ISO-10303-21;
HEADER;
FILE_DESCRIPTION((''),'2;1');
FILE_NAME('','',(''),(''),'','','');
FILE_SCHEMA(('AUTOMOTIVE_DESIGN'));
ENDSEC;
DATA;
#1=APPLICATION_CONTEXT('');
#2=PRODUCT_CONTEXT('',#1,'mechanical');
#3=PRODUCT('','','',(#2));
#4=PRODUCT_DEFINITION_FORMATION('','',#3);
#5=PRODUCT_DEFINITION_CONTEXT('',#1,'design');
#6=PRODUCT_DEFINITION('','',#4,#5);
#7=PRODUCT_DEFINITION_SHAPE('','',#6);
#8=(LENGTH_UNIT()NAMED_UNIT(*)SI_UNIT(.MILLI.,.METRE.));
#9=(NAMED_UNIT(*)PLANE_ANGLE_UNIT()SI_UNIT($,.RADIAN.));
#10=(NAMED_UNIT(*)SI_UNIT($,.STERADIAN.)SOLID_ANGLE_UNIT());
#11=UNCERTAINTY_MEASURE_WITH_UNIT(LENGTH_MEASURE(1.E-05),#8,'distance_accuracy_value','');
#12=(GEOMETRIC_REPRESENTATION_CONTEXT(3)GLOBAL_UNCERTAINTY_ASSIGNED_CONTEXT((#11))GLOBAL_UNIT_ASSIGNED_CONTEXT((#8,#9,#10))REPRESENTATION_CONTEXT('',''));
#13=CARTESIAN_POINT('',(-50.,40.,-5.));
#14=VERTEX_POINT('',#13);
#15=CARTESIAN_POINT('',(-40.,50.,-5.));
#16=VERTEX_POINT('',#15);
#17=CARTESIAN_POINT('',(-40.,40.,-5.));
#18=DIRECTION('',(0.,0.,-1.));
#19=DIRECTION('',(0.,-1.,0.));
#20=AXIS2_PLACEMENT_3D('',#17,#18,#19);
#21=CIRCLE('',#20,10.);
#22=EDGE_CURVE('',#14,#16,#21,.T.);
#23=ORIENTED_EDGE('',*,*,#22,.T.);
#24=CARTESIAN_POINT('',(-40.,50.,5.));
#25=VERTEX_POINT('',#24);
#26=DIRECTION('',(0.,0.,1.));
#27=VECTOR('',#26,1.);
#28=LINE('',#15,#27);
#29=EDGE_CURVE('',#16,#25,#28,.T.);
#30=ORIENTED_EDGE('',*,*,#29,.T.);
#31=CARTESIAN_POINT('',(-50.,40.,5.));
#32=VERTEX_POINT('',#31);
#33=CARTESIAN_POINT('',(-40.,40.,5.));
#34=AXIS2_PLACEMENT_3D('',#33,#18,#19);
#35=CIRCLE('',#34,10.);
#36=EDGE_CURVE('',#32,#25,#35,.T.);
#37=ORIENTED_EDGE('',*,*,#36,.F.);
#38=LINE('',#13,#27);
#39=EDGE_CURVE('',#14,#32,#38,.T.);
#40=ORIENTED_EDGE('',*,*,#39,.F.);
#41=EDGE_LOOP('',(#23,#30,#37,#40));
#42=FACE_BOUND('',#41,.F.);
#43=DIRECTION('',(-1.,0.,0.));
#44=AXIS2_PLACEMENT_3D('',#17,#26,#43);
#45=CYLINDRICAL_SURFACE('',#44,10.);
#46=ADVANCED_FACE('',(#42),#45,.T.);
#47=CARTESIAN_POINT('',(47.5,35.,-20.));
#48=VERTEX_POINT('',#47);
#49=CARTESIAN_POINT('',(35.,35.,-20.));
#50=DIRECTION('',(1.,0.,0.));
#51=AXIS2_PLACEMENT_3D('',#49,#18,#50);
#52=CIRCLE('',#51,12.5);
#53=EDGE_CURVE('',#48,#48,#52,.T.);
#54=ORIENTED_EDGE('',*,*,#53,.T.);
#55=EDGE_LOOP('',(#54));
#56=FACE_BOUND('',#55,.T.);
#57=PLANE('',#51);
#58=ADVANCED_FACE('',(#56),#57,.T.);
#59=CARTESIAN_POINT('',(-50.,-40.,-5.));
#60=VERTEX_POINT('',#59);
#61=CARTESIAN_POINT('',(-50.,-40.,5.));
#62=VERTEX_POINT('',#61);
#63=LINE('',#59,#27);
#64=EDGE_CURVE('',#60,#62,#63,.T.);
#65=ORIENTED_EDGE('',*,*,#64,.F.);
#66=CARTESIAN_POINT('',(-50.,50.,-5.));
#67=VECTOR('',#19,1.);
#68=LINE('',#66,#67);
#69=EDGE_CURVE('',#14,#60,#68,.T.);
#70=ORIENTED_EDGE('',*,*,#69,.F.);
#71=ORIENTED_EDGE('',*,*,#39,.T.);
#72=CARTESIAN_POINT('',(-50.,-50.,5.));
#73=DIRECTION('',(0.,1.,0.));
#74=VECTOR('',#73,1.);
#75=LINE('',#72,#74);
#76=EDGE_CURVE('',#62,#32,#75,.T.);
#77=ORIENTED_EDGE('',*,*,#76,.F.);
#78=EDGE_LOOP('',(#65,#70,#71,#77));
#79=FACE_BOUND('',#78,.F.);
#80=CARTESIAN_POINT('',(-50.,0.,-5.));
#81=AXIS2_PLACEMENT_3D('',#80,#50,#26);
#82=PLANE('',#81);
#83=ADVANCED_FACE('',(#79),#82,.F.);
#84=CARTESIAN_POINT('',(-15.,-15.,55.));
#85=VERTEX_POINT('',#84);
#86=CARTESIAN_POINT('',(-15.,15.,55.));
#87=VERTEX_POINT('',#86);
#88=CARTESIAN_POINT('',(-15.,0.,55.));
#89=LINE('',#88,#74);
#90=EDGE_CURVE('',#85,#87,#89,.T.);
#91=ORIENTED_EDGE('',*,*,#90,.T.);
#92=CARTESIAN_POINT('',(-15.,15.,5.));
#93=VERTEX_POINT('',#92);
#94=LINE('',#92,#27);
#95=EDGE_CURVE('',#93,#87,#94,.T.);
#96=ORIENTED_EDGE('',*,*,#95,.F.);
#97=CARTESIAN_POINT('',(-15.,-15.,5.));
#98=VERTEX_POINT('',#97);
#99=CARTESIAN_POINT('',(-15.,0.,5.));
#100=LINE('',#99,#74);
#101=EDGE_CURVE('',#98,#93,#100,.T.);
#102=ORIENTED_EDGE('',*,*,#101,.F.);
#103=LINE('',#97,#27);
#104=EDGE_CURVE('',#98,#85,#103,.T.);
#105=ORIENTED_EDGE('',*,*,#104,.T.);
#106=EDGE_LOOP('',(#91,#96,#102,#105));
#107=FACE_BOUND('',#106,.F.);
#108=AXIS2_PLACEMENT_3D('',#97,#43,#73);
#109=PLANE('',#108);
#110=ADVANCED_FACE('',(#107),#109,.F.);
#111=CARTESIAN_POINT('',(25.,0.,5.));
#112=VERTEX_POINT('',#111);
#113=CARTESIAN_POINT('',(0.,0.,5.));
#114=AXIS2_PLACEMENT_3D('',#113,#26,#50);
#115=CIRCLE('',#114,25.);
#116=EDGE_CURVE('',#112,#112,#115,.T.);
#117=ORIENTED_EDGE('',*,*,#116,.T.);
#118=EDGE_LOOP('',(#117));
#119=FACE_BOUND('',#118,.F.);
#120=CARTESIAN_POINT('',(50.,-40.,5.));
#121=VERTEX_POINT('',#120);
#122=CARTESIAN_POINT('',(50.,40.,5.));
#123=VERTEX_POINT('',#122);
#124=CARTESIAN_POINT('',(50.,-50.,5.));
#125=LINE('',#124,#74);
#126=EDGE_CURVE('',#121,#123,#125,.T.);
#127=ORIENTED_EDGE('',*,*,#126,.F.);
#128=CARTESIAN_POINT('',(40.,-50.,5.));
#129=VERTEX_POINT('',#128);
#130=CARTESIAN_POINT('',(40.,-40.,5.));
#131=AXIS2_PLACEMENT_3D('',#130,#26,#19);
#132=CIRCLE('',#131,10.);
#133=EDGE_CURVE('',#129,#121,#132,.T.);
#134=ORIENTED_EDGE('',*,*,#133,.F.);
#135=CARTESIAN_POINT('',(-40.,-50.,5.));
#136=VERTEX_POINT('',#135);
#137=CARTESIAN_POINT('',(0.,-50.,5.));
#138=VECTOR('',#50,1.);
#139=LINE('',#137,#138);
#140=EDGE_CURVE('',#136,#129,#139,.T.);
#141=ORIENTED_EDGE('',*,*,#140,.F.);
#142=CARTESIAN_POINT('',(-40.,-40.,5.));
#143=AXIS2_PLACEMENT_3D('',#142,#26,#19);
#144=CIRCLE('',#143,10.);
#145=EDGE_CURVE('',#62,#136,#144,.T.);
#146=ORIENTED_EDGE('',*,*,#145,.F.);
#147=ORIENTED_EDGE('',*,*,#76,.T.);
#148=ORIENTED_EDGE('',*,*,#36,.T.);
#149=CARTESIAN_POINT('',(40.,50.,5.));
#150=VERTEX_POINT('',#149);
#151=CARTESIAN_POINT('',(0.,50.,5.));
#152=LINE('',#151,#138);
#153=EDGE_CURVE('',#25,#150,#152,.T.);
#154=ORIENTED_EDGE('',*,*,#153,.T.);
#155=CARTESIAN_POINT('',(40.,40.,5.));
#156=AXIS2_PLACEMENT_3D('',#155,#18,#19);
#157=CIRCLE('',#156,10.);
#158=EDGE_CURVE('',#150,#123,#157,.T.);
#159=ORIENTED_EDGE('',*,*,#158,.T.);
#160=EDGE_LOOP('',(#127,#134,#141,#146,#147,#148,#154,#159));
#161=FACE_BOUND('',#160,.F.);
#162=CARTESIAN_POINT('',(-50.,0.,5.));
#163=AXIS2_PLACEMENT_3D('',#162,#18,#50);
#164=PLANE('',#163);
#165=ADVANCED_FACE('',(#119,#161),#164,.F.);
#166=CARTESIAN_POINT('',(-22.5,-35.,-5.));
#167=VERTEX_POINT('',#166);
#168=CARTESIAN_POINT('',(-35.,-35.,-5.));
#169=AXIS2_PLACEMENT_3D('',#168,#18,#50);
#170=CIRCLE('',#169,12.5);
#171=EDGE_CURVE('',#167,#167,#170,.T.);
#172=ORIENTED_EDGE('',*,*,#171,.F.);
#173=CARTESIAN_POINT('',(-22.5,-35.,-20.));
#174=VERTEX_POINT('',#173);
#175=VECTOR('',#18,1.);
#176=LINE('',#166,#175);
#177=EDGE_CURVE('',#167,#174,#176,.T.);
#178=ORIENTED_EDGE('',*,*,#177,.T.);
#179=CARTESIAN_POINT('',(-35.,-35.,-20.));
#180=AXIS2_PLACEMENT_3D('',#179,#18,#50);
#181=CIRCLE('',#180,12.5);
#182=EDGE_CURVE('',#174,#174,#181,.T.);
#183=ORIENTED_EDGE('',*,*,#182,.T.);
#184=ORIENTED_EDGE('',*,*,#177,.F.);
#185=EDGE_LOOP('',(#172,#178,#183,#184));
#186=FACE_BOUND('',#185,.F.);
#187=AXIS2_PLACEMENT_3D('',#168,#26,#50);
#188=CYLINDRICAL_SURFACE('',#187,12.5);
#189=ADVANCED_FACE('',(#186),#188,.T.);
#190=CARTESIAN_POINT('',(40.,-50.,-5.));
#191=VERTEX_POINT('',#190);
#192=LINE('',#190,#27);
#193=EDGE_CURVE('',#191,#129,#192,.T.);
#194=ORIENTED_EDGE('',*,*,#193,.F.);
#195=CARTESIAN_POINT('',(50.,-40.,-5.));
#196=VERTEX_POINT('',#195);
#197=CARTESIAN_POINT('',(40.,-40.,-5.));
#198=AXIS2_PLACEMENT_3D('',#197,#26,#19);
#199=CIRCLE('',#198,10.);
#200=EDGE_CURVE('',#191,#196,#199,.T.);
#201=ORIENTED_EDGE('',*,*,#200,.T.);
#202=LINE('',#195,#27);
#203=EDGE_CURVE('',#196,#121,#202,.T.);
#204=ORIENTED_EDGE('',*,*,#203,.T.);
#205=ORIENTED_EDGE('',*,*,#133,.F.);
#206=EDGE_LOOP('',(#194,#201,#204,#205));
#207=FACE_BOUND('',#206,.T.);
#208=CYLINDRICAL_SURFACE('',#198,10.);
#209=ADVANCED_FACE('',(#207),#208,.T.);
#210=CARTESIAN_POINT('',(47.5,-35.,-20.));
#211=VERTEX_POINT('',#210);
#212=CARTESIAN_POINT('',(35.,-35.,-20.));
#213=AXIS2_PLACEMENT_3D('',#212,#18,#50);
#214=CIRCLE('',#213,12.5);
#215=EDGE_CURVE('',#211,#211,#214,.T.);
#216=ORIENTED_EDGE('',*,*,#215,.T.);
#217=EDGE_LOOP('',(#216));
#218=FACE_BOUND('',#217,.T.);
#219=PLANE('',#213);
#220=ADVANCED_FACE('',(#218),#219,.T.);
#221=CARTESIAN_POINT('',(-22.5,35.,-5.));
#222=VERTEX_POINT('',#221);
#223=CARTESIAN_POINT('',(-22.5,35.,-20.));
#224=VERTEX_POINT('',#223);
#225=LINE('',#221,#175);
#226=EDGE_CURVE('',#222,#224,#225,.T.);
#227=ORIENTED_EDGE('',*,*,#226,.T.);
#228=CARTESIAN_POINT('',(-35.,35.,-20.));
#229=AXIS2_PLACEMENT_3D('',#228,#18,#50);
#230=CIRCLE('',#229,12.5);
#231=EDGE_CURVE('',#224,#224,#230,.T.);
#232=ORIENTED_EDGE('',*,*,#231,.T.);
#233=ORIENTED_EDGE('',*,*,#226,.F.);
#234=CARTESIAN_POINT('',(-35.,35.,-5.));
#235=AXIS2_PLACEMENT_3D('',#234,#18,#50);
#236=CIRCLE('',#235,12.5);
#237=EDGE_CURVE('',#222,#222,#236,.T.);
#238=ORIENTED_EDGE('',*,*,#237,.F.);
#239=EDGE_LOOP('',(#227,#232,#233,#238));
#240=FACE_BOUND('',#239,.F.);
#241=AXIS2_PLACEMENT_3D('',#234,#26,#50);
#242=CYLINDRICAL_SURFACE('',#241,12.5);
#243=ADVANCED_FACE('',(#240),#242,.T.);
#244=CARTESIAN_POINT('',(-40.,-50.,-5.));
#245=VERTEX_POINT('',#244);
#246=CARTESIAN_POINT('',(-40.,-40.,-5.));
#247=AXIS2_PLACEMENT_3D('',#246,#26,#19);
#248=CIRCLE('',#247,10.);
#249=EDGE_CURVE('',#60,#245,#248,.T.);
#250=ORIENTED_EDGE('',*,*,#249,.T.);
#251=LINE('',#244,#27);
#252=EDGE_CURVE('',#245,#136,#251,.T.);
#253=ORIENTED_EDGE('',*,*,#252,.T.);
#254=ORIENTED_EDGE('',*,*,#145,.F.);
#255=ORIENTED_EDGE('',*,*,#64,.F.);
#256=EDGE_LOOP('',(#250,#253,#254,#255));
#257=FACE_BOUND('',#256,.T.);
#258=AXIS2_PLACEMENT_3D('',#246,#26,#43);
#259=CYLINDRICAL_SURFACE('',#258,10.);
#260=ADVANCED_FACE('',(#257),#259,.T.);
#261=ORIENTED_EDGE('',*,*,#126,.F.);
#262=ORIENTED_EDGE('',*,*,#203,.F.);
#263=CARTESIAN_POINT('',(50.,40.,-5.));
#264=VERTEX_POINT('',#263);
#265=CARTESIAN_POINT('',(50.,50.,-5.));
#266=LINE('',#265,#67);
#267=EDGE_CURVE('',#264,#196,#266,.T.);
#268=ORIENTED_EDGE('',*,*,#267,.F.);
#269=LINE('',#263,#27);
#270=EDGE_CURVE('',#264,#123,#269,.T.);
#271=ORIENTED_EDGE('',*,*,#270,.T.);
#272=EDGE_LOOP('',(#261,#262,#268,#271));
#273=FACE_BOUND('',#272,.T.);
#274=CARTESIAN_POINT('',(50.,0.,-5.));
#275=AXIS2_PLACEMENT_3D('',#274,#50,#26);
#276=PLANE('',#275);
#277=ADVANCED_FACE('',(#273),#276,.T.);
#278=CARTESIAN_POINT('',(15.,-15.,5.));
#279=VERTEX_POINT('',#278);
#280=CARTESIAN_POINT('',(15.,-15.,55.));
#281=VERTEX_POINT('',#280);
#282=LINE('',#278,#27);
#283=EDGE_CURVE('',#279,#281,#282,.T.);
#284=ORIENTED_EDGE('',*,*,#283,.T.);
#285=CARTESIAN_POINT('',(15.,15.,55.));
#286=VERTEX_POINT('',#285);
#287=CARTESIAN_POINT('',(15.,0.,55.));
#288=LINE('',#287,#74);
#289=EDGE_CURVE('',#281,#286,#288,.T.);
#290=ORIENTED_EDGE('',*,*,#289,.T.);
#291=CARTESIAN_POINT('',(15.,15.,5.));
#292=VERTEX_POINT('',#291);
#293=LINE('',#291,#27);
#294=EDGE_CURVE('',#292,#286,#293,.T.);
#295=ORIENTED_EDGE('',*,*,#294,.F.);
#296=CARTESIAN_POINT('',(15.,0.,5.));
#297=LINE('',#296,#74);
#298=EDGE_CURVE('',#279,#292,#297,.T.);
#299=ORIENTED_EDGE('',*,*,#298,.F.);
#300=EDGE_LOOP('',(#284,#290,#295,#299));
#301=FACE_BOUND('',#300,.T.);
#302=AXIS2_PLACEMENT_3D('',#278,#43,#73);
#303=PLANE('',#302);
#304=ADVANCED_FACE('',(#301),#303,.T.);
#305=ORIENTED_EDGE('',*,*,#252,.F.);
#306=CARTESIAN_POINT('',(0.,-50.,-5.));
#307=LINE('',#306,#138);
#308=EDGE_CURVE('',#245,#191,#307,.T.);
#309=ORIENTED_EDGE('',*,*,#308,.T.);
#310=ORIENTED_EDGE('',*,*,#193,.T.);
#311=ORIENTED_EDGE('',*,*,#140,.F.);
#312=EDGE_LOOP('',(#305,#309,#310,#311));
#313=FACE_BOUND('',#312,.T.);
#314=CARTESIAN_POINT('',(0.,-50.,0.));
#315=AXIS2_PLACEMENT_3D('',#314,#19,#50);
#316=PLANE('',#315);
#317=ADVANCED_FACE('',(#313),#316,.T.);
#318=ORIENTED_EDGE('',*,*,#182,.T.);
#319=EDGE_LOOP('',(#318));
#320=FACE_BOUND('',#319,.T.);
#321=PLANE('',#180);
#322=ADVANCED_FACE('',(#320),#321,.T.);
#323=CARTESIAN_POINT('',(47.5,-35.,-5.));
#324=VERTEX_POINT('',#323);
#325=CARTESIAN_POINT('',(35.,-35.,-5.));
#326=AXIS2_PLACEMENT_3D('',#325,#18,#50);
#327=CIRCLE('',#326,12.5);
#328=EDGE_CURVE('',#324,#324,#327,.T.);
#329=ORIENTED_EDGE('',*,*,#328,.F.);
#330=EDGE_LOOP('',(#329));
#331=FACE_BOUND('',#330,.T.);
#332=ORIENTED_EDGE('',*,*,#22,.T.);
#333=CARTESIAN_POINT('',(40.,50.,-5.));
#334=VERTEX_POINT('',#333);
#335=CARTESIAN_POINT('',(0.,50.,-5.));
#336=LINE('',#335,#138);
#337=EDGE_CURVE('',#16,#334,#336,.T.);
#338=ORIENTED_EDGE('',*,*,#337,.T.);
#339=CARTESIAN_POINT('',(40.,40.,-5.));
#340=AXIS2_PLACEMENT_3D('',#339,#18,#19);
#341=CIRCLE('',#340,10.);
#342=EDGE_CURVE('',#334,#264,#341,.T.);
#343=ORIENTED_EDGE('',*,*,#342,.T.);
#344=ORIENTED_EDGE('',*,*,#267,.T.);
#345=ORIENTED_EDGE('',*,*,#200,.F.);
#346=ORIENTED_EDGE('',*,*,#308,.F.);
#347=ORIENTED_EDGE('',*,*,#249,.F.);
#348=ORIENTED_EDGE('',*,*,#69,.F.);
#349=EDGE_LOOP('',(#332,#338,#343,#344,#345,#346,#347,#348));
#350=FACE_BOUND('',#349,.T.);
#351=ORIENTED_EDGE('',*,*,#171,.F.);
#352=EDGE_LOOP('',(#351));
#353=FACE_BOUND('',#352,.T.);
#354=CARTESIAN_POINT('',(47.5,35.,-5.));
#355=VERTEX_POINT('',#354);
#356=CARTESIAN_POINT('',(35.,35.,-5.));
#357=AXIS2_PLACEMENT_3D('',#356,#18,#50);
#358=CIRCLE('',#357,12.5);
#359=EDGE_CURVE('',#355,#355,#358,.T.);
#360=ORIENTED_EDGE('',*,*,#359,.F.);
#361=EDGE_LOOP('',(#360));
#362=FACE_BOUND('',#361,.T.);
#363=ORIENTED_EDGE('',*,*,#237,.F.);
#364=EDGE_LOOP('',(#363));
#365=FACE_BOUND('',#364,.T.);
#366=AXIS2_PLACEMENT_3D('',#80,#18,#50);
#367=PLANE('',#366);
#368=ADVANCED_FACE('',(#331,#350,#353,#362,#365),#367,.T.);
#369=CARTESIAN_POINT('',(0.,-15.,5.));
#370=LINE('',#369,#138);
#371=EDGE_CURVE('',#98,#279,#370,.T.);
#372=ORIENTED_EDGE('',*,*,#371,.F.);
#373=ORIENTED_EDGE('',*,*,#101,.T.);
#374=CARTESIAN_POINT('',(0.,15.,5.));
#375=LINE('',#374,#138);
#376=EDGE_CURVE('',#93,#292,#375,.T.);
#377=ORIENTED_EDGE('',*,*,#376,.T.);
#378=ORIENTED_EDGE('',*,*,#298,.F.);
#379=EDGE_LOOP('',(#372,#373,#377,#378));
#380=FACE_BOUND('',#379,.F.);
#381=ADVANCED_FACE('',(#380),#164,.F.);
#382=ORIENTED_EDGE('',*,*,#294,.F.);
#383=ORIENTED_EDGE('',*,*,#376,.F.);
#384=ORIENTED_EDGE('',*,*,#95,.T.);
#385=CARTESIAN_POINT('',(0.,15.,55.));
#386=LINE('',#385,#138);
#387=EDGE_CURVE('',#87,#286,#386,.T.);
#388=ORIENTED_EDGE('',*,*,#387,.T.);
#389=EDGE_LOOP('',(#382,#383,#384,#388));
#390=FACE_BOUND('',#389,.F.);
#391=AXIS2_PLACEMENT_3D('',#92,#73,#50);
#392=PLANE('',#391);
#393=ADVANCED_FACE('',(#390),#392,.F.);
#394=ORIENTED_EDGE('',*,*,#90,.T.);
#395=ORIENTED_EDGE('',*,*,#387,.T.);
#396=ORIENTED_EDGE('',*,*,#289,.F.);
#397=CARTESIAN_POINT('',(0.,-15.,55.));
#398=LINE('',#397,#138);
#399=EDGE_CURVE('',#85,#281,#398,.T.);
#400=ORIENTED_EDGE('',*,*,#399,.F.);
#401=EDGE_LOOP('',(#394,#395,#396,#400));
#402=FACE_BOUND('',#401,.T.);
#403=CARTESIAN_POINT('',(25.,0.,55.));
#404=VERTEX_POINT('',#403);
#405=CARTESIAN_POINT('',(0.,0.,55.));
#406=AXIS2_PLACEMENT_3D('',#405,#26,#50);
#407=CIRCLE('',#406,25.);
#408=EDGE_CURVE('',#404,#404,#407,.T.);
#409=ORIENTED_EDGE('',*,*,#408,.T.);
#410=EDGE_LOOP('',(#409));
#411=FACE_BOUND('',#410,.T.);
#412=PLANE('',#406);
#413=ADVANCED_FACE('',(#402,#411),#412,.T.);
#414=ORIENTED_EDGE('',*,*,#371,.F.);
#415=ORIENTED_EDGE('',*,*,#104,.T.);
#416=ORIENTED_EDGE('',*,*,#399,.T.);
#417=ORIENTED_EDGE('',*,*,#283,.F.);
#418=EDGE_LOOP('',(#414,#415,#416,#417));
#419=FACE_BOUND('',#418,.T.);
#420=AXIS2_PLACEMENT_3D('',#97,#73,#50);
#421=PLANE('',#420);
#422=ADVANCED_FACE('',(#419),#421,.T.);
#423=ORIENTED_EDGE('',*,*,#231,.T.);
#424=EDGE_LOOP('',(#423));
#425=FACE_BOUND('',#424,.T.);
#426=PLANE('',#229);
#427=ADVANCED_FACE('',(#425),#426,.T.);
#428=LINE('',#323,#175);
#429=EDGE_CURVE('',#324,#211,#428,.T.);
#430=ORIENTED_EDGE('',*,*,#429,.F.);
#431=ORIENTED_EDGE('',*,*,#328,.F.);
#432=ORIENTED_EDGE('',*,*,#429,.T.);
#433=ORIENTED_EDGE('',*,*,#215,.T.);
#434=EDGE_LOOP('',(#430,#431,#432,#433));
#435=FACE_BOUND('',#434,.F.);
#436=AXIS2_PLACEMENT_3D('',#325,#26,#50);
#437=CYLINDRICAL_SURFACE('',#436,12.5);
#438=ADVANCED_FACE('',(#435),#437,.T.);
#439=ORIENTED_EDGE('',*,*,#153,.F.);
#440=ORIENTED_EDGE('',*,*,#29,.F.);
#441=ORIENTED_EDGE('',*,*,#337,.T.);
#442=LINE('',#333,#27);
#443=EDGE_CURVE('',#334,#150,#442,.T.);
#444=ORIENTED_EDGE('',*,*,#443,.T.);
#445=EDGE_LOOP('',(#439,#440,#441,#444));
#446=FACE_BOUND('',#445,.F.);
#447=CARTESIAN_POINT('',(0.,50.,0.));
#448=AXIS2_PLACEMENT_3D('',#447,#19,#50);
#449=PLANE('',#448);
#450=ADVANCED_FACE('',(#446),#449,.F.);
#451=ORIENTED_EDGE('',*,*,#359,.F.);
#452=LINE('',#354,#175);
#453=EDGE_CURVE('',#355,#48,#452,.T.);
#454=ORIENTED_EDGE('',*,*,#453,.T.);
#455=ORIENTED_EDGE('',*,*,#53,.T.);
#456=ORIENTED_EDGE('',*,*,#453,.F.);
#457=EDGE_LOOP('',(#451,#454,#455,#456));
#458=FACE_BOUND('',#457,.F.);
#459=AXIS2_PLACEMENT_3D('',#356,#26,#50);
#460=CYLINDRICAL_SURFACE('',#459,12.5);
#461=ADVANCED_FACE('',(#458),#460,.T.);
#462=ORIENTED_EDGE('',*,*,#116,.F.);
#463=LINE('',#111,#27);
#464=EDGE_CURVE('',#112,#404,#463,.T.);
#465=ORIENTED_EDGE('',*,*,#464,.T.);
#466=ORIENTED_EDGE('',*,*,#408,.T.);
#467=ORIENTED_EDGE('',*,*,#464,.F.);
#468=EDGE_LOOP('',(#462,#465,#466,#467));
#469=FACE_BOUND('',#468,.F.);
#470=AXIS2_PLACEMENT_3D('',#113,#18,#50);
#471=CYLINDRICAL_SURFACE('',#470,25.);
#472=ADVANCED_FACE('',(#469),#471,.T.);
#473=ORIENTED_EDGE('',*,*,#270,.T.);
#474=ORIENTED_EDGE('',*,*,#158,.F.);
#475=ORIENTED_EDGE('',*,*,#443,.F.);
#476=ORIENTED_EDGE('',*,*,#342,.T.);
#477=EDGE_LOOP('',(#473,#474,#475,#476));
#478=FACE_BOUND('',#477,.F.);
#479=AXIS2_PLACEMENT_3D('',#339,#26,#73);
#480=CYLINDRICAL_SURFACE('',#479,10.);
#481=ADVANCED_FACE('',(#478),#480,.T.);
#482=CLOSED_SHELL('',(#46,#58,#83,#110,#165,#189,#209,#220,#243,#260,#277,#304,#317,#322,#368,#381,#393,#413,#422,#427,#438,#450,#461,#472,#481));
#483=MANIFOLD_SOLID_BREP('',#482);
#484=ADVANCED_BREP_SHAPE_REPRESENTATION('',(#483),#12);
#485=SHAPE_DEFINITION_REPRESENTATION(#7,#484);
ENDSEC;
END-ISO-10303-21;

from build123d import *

# Parameters (mm, degrees)
F0_W     = 100
F0_H     = 10
F1_DEPTH = 50
F2_R     = 12.5
F3_DEPTH = 15
F4_R     = 10
F5_R     = 25
F5_W     = 30
F5_H     = 30
F6_DEPTH = 50


with BuildPart() as f1:
    # F0 (on Front) → F1 (new body, symmetric)
    with BuildSketch(Plane.XZ):
        Rectangle(F0_W, F0_H)
    extrude(amount=F1_DEPTH, both=True)

    # F2 (on face) → F3 (join)
    with BuildSketch(Plane(origin=(0, 0, -5), x_dir=(1, 0, 0), z_dir=(0, 0, -1))):
        with Locations((35, 35)):
            Circle(F2_R)
        with Locations((35, -35)):
            Circle(F2_R)
        with Locations((-35, -35)):
            Circle(F2_R)
        with Locations((-35, 35)):
            Circle(F2_R)
    extrude(amount=F3_DEPTH)

    # F4
    f4_edges = [f1.edges().sort_by_distance(p)[0] for p in [
        (-50, -50, 0),
        (50, -50, 0),
        (50, 50, 0),
        (-50, 50, 0),
    ]]
    fillet(f4_edges, radius=F4_R)

    # F5 (on face) → F6 (join)
    with BuildSketch(Plane.XY.offset(5)):
        Circle(F5_R)
        Rectangle(F5_W, F5_H, mode=Mode.SUBTRACT)
    extrude(amount=F6_DEPTH)


solid = f1.part
